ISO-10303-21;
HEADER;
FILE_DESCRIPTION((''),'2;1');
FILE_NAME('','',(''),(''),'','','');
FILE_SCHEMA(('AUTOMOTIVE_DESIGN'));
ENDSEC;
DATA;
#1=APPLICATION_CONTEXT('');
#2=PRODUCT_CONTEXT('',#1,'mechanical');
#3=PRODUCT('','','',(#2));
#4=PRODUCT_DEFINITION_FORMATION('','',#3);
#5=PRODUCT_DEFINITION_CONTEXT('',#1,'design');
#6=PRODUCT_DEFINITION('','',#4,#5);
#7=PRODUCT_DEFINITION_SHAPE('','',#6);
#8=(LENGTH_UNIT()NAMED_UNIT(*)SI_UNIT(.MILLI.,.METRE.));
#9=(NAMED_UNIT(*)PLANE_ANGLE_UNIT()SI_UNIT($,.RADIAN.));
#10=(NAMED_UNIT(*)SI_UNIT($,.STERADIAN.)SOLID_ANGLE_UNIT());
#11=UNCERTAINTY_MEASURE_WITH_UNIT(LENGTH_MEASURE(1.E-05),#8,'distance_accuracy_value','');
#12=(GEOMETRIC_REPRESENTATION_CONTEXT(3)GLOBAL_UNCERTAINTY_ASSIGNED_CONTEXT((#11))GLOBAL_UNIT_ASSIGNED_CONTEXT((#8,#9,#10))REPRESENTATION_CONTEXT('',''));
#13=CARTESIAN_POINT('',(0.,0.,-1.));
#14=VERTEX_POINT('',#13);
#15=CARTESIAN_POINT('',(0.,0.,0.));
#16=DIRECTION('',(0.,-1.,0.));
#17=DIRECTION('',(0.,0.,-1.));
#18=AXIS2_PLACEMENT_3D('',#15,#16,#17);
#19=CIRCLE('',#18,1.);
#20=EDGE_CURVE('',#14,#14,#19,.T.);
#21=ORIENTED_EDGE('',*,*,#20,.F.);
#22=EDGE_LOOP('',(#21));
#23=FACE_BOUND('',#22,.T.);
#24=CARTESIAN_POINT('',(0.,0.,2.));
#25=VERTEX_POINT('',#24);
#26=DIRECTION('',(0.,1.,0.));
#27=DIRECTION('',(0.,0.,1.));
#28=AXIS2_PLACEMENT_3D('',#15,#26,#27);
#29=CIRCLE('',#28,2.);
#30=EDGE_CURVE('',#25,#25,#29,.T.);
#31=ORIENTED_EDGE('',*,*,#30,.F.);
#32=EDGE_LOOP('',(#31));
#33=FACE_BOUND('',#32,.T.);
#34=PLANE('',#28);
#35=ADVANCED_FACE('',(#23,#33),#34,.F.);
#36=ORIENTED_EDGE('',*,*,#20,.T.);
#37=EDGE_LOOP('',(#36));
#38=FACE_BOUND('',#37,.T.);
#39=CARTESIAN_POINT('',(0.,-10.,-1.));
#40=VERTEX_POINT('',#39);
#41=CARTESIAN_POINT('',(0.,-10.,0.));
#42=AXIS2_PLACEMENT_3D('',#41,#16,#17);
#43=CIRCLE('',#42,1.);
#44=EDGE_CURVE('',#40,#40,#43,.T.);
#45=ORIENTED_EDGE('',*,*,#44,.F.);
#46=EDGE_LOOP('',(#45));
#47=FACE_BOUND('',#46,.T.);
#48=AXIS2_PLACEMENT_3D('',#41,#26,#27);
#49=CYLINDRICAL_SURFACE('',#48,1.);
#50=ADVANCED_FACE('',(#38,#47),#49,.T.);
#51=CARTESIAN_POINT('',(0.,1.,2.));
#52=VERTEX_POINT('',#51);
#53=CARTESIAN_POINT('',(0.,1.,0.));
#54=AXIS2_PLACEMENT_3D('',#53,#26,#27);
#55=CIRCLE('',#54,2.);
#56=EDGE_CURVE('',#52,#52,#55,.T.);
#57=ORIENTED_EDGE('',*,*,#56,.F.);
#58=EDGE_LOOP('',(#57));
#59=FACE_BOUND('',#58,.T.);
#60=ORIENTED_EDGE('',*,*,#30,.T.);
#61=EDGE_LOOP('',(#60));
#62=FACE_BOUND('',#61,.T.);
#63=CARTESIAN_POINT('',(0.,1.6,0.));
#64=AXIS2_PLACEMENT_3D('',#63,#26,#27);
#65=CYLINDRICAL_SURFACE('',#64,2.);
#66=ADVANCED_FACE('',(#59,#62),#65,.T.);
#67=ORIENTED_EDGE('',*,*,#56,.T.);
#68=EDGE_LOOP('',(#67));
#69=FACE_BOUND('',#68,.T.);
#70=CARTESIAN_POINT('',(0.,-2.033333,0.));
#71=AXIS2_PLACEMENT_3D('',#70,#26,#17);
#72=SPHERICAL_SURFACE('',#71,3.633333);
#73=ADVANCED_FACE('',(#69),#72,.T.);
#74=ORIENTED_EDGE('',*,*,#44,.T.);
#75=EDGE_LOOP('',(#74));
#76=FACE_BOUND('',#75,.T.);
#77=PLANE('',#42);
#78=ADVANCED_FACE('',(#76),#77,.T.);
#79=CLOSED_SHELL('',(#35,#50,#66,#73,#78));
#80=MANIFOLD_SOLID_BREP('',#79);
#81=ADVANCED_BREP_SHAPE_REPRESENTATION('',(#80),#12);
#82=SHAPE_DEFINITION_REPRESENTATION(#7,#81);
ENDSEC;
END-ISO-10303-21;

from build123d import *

# Parameters (mm, degrees)
SKETCH3_R           = 1
BOSS_EXTRUDE1_DEPTH = 10


with BuildPart() as part:
    # Sketch2 → Revolve1 (revolve)
    with BuildSketch(Plane(origin=(0, 0, 0), x_dir=(0, 0, -1), z_dir=(1, 0, 0)), mode=Mode.PRIVATE) as revolve1_sk:
        with BuildLine():
            Line((0, 0), (2, 0))
            Line((2, 0), (2, 1))
            ThreePointArc((2, 1), (1.044030651, 1.446768836), (0, 1.6))
            Line((0, 1.6), (0, 0))
        make_face()
    revolve(revolve1_sk.sketch.rotate(Axis((0, 1.6, 0), (0, -1, 0)), 180), axis=Axis((0, 1.6, 0), (0, -1, 0)))

    # Sketch3 → Boss-Extrude1 (add)
    with BuildSketch(Plane.XZ):
        with Locations(Location((0, 0, 0), (0, 0, 270))):
            Circle(SKETCH3_R)
    extrude(amount=BOSS_EXTRUDE1_DEPTH)


solid = part.part
